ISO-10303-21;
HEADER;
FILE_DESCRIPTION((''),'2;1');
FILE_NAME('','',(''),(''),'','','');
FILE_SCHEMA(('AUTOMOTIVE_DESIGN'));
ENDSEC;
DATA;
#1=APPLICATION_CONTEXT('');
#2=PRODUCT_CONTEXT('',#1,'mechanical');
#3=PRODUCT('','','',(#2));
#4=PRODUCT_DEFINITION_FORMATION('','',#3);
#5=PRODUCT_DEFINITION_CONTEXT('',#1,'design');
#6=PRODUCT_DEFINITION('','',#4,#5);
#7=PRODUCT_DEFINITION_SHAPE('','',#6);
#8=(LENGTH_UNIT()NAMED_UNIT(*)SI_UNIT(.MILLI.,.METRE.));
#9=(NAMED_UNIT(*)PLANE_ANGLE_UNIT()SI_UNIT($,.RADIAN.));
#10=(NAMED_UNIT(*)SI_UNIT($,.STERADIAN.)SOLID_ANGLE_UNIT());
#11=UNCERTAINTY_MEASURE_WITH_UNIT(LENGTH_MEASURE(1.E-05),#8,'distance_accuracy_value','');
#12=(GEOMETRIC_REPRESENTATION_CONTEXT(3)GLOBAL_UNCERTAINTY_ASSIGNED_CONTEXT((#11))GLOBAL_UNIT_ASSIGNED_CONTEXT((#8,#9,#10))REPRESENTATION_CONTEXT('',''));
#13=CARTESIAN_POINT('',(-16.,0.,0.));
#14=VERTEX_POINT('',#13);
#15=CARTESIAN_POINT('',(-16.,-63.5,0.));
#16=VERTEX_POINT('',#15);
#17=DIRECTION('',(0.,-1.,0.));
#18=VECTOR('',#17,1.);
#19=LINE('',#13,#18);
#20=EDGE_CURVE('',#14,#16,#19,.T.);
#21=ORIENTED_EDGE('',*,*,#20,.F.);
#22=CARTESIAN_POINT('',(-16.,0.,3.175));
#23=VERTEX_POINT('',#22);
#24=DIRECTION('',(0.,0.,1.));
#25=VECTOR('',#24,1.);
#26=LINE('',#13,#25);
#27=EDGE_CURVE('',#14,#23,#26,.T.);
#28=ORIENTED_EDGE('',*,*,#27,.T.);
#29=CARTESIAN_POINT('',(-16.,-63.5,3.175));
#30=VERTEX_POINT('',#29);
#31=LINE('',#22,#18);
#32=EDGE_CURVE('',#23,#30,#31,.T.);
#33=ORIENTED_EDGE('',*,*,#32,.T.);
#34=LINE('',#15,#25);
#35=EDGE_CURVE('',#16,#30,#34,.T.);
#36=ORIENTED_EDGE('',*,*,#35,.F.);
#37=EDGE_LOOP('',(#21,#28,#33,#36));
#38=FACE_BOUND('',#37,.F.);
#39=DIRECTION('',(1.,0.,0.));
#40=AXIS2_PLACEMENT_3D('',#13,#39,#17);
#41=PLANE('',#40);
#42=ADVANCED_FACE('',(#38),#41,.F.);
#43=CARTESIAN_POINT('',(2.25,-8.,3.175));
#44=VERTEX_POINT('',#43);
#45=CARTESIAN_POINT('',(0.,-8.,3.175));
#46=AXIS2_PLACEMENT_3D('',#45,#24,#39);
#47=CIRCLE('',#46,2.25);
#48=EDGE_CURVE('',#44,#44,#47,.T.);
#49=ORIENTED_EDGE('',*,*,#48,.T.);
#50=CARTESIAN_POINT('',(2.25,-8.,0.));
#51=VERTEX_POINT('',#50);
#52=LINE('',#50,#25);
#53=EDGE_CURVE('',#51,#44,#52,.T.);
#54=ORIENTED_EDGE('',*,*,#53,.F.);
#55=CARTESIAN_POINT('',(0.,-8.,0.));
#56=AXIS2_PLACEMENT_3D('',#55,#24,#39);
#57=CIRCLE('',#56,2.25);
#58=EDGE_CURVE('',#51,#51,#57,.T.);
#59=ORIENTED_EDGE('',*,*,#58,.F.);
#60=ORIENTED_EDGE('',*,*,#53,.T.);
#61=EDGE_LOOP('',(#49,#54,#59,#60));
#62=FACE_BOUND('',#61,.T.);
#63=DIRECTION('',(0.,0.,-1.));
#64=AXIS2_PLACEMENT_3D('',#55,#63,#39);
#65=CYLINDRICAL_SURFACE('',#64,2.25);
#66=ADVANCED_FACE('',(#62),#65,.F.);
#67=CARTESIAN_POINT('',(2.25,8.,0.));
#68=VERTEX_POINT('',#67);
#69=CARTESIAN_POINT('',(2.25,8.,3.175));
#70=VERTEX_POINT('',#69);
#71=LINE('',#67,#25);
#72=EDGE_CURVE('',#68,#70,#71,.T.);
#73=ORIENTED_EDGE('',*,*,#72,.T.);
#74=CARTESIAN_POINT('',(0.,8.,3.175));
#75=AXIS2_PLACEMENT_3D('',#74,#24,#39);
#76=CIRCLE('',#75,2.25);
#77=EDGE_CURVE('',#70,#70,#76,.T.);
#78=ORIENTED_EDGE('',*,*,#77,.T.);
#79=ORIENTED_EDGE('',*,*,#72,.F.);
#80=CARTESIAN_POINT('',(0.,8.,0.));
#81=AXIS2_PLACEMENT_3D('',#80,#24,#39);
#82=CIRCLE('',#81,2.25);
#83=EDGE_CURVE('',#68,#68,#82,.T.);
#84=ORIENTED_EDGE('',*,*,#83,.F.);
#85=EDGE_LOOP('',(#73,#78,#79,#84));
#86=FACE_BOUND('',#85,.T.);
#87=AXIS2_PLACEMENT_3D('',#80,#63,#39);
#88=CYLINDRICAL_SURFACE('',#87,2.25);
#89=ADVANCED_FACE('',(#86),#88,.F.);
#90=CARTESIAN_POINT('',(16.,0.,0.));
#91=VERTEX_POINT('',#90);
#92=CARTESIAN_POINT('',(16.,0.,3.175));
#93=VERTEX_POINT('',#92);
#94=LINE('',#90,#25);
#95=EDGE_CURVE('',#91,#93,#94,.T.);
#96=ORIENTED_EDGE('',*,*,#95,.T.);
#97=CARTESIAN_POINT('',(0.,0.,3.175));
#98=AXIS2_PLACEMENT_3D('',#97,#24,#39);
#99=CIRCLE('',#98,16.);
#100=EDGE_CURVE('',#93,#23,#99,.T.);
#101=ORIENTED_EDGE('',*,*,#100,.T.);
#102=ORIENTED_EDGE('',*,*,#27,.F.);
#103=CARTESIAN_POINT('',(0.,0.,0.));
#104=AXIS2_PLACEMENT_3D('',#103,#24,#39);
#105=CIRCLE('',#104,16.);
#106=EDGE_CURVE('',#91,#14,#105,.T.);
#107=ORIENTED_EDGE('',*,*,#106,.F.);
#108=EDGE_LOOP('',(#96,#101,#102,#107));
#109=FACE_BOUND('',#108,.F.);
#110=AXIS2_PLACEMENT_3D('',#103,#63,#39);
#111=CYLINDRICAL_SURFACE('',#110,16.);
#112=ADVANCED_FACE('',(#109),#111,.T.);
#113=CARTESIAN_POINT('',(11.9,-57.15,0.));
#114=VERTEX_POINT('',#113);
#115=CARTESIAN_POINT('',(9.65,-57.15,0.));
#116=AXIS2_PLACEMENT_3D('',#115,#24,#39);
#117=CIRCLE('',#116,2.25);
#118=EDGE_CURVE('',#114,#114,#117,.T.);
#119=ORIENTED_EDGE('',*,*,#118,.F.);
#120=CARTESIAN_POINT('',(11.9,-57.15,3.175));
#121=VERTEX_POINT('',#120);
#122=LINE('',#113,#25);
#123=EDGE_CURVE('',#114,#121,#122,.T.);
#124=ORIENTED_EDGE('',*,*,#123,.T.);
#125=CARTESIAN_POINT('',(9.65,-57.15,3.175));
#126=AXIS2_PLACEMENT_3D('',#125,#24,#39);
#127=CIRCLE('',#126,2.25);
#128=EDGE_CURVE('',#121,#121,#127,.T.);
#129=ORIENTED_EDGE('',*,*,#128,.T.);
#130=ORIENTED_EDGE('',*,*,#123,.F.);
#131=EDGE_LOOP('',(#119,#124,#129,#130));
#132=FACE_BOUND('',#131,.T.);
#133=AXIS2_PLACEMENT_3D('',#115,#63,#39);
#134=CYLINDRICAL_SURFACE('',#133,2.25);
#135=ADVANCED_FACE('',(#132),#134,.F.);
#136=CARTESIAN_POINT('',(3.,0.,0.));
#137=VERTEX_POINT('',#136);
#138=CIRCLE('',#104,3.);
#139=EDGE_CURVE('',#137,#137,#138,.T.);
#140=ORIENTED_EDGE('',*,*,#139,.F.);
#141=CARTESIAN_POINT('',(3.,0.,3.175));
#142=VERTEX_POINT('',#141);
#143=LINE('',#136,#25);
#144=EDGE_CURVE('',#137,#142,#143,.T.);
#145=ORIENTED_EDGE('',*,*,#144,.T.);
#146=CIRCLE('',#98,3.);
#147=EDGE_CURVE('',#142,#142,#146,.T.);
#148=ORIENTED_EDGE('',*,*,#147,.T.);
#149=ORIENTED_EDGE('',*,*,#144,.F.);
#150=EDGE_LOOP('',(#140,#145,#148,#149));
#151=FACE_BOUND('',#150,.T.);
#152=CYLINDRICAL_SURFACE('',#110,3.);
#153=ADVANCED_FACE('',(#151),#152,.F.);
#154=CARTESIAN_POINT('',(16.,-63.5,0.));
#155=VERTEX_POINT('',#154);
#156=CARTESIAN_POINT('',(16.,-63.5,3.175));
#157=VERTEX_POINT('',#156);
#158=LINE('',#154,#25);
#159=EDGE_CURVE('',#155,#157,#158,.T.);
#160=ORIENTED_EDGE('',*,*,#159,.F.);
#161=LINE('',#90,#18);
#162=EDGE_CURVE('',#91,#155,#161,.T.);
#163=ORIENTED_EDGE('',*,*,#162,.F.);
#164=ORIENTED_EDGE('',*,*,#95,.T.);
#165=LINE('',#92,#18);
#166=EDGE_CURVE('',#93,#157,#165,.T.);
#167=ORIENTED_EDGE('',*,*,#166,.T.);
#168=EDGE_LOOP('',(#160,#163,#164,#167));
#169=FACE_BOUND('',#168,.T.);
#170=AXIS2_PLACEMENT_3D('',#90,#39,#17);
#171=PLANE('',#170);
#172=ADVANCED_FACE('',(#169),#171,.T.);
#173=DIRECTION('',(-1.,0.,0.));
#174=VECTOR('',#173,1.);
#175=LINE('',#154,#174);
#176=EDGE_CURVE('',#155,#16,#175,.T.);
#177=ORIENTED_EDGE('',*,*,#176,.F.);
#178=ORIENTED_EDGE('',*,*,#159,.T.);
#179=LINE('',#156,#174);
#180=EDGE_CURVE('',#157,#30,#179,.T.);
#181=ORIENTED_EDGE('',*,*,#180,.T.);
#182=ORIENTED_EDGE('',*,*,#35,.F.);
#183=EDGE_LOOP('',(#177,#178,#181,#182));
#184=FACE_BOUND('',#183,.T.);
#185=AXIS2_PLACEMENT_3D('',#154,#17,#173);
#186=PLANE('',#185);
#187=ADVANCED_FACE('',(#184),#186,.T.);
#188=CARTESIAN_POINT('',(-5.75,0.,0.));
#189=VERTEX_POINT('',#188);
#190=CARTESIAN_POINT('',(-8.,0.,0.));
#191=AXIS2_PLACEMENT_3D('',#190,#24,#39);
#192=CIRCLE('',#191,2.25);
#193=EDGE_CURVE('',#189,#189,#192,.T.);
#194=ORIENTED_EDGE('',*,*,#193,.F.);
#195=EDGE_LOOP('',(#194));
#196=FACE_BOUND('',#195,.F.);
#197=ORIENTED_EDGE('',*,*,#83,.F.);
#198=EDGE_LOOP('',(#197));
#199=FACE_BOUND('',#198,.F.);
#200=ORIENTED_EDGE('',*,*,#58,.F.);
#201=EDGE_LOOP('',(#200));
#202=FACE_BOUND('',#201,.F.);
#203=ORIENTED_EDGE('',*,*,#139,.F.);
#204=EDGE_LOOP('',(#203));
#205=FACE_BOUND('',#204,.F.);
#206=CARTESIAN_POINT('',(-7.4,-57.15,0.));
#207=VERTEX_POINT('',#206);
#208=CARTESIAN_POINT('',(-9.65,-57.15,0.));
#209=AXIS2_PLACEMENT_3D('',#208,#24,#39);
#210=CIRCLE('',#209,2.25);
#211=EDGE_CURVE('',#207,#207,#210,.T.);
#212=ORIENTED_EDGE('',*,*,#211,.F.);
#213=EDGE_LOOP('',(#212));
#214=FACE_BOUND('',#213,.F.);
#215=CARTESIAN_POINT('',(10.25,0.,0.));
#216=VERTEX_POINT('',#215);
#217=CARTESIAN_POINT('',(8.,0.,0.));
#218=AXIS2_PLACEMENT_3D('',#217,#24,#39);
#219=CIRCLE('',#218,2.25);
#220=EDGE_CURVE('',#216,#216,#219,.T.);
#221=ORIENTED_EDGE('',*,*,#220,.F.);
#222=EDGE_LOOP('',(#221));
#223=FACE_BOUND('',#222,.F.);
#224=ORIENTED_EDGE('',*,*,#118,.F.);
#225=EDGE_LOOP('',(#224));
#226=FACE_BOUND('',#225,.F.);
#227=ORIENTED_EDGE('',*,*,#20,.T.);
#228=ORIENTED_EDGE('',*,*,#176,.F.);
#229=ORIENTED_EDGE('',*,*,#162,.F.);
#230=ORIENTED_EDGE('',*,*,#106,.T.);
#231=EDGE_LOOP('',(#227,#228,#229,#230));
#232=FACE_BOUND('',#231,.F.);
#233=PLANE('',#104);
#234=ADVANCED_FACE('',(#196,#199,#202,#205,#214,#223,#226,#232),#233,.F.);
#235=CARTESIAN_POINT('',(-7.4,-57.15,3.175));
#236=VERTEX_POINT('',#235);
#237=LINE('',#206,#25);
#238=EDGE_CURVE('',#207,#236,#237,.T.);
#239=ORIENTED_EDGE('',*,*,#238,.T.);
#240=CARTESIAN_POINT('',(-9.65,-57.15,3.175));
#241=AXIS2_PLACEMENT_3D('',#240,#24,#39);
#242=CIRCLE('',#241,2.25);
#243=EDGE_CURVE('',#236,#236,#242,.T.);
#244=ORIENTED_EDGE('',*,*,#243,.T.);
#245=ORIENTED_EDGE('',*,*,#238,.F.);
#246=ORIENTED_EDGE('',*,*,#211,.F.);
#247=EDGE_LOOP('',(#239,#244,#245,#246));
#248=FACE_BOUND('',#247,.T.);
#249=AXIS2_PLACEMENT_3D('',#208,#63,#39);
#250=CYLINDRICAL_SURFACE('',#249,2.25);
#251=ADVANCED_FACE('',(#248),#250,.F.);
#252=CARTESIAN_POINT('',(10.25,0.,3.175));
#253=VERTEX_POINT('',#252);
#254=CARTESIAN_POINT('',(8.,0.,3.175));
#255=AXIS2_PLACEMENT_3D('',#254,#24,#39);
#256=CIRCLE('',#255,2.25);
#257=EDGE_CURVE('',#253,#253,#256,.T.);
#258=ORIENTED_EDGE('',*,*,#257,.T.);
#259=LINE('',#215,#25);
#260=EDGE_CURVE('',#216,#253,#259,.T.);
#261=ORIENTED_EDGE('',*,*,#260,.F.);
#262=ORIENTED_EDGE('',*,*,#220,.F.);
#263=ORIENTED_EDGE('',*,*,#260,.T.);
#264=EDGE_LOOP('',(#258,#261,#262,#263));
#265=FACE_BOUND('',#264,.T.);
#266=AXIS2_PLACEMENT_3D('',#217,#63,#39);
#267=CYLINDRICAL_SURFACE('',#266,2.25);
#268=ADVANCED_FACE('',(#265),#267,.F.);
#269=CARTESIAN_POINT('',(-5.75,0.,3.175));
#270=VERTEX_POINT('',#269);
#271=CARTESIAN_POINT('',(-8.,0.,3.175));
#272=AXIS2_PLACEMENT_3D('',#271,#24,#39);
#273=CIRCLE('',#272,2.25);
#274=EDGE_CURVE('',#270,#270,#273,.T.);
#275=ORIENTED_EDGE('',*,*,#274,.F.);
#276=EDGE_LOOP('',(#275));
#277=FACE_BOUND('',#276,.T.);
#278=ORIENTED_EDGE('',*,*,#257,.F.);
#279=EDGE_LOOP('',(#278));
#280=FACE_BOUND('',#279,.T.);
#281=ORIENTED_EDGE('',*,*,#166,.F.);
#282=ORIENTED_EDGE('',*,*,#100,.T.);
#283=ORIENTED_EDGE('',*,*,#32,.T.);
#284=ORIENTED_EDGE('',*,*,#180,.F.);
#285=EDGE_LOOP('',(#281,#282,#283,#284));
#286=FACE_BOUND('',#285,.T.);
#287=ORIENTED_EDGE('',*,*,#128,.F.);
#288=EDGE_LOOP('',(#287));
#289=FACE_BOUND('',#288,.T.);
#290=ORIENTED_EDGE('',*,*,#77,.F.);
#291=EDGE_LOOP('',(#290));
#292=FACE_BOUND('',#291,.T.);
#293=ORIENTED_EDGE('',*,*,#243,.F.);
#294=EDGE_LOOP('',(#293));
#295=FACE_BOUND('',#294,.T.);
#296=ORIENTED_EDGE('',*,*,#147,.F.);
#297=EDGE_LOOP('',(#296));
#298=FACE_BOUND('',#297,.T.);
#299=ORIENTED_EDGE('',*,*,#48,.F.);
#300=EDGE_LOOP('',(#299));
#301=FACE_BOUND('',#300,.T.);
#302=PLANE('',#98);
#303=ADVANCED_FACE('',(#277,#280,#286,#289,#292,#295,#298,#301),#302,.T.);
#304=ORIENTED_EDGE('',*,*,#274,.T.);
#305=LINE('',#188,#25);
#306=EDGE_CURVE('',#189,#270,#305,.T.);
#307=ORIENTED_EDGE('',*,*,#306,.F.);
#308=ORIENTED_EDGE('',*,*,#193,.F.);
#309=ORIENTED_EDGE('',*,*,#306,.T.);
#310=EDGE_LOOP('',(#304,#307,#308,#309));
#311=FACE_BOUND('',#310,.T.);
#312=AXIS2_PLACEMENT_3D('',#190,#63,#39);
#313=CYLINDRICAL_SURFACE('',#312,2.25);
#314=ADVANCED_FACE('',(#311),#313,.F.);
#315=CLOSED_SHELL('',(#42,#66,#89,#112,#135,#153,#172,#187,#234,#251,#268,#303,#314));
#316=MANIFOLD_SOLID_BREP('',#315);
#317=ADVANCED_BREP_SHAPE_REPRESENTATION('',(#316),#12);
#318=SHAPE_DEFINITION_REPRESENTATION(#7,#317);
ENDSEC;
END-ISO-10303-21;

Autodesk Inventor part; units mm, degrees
ref_plane "YZ Plane" through (0, 0, 0) normal (1, 0, 0) x (0, 1, 0)
ref_plane "XZ Plane" through (0, 0, 0) normal (0, 1, 0) x (-1, 0, 0)
ref_plane "XY Plane" through (0, 0, 0) normal (0, 0, 1) x (1, 0, 0)
sketch "Sketch1" plane through (0, 0, 0) normal (0, 0, 1) x (1, 0, 0)
  circle A0 centre (0, 0) radius 3
  circle A1 centre (0, 8) radius 2.25
  circle A2 centre (-8, 0) radius 2.25
  circle A3 centre (0, -8) radius 2.25
  circle A4 centre (8, 0) radius 2.25
  circle A5 centre (0, 0) radius 16
  line L0 (-16, 0) -> (-16, -63.5)
  line L1 (16, 0) -> (16, -63.5)
  line L2 (16, -63.5) -> (-16, -63.5)
  line L3 (0, -63.5) -> (0, 16) construction
  circle A6 centre (-9.65, -57.15) radius 2.25
  circle A7 centre (9.65, -57.15) radius 2.25
  point P0 (-16, -31.75)
  dimension "d0" = 6
  dimension "d1" = 4.5
  dimension "d2" = 8
  dimension "d5" = 360
  dimension "d7" = 32
  dimension "d8" = 63.5
  dimension "d9" = 32
  dimension "d10" = 4.5
  dimension "d11" = 4.5
  dimension "d12" = 6.35
  dimension "d13" = 6.35
  dimension "d14" = 6.35
  dimension "d15" = 6.35
  dimension "d16" = 19.3
extrude "Extrusion1" add sketch "Sketch1" along normal blind 3.175
properties part number "New_Wrist"
